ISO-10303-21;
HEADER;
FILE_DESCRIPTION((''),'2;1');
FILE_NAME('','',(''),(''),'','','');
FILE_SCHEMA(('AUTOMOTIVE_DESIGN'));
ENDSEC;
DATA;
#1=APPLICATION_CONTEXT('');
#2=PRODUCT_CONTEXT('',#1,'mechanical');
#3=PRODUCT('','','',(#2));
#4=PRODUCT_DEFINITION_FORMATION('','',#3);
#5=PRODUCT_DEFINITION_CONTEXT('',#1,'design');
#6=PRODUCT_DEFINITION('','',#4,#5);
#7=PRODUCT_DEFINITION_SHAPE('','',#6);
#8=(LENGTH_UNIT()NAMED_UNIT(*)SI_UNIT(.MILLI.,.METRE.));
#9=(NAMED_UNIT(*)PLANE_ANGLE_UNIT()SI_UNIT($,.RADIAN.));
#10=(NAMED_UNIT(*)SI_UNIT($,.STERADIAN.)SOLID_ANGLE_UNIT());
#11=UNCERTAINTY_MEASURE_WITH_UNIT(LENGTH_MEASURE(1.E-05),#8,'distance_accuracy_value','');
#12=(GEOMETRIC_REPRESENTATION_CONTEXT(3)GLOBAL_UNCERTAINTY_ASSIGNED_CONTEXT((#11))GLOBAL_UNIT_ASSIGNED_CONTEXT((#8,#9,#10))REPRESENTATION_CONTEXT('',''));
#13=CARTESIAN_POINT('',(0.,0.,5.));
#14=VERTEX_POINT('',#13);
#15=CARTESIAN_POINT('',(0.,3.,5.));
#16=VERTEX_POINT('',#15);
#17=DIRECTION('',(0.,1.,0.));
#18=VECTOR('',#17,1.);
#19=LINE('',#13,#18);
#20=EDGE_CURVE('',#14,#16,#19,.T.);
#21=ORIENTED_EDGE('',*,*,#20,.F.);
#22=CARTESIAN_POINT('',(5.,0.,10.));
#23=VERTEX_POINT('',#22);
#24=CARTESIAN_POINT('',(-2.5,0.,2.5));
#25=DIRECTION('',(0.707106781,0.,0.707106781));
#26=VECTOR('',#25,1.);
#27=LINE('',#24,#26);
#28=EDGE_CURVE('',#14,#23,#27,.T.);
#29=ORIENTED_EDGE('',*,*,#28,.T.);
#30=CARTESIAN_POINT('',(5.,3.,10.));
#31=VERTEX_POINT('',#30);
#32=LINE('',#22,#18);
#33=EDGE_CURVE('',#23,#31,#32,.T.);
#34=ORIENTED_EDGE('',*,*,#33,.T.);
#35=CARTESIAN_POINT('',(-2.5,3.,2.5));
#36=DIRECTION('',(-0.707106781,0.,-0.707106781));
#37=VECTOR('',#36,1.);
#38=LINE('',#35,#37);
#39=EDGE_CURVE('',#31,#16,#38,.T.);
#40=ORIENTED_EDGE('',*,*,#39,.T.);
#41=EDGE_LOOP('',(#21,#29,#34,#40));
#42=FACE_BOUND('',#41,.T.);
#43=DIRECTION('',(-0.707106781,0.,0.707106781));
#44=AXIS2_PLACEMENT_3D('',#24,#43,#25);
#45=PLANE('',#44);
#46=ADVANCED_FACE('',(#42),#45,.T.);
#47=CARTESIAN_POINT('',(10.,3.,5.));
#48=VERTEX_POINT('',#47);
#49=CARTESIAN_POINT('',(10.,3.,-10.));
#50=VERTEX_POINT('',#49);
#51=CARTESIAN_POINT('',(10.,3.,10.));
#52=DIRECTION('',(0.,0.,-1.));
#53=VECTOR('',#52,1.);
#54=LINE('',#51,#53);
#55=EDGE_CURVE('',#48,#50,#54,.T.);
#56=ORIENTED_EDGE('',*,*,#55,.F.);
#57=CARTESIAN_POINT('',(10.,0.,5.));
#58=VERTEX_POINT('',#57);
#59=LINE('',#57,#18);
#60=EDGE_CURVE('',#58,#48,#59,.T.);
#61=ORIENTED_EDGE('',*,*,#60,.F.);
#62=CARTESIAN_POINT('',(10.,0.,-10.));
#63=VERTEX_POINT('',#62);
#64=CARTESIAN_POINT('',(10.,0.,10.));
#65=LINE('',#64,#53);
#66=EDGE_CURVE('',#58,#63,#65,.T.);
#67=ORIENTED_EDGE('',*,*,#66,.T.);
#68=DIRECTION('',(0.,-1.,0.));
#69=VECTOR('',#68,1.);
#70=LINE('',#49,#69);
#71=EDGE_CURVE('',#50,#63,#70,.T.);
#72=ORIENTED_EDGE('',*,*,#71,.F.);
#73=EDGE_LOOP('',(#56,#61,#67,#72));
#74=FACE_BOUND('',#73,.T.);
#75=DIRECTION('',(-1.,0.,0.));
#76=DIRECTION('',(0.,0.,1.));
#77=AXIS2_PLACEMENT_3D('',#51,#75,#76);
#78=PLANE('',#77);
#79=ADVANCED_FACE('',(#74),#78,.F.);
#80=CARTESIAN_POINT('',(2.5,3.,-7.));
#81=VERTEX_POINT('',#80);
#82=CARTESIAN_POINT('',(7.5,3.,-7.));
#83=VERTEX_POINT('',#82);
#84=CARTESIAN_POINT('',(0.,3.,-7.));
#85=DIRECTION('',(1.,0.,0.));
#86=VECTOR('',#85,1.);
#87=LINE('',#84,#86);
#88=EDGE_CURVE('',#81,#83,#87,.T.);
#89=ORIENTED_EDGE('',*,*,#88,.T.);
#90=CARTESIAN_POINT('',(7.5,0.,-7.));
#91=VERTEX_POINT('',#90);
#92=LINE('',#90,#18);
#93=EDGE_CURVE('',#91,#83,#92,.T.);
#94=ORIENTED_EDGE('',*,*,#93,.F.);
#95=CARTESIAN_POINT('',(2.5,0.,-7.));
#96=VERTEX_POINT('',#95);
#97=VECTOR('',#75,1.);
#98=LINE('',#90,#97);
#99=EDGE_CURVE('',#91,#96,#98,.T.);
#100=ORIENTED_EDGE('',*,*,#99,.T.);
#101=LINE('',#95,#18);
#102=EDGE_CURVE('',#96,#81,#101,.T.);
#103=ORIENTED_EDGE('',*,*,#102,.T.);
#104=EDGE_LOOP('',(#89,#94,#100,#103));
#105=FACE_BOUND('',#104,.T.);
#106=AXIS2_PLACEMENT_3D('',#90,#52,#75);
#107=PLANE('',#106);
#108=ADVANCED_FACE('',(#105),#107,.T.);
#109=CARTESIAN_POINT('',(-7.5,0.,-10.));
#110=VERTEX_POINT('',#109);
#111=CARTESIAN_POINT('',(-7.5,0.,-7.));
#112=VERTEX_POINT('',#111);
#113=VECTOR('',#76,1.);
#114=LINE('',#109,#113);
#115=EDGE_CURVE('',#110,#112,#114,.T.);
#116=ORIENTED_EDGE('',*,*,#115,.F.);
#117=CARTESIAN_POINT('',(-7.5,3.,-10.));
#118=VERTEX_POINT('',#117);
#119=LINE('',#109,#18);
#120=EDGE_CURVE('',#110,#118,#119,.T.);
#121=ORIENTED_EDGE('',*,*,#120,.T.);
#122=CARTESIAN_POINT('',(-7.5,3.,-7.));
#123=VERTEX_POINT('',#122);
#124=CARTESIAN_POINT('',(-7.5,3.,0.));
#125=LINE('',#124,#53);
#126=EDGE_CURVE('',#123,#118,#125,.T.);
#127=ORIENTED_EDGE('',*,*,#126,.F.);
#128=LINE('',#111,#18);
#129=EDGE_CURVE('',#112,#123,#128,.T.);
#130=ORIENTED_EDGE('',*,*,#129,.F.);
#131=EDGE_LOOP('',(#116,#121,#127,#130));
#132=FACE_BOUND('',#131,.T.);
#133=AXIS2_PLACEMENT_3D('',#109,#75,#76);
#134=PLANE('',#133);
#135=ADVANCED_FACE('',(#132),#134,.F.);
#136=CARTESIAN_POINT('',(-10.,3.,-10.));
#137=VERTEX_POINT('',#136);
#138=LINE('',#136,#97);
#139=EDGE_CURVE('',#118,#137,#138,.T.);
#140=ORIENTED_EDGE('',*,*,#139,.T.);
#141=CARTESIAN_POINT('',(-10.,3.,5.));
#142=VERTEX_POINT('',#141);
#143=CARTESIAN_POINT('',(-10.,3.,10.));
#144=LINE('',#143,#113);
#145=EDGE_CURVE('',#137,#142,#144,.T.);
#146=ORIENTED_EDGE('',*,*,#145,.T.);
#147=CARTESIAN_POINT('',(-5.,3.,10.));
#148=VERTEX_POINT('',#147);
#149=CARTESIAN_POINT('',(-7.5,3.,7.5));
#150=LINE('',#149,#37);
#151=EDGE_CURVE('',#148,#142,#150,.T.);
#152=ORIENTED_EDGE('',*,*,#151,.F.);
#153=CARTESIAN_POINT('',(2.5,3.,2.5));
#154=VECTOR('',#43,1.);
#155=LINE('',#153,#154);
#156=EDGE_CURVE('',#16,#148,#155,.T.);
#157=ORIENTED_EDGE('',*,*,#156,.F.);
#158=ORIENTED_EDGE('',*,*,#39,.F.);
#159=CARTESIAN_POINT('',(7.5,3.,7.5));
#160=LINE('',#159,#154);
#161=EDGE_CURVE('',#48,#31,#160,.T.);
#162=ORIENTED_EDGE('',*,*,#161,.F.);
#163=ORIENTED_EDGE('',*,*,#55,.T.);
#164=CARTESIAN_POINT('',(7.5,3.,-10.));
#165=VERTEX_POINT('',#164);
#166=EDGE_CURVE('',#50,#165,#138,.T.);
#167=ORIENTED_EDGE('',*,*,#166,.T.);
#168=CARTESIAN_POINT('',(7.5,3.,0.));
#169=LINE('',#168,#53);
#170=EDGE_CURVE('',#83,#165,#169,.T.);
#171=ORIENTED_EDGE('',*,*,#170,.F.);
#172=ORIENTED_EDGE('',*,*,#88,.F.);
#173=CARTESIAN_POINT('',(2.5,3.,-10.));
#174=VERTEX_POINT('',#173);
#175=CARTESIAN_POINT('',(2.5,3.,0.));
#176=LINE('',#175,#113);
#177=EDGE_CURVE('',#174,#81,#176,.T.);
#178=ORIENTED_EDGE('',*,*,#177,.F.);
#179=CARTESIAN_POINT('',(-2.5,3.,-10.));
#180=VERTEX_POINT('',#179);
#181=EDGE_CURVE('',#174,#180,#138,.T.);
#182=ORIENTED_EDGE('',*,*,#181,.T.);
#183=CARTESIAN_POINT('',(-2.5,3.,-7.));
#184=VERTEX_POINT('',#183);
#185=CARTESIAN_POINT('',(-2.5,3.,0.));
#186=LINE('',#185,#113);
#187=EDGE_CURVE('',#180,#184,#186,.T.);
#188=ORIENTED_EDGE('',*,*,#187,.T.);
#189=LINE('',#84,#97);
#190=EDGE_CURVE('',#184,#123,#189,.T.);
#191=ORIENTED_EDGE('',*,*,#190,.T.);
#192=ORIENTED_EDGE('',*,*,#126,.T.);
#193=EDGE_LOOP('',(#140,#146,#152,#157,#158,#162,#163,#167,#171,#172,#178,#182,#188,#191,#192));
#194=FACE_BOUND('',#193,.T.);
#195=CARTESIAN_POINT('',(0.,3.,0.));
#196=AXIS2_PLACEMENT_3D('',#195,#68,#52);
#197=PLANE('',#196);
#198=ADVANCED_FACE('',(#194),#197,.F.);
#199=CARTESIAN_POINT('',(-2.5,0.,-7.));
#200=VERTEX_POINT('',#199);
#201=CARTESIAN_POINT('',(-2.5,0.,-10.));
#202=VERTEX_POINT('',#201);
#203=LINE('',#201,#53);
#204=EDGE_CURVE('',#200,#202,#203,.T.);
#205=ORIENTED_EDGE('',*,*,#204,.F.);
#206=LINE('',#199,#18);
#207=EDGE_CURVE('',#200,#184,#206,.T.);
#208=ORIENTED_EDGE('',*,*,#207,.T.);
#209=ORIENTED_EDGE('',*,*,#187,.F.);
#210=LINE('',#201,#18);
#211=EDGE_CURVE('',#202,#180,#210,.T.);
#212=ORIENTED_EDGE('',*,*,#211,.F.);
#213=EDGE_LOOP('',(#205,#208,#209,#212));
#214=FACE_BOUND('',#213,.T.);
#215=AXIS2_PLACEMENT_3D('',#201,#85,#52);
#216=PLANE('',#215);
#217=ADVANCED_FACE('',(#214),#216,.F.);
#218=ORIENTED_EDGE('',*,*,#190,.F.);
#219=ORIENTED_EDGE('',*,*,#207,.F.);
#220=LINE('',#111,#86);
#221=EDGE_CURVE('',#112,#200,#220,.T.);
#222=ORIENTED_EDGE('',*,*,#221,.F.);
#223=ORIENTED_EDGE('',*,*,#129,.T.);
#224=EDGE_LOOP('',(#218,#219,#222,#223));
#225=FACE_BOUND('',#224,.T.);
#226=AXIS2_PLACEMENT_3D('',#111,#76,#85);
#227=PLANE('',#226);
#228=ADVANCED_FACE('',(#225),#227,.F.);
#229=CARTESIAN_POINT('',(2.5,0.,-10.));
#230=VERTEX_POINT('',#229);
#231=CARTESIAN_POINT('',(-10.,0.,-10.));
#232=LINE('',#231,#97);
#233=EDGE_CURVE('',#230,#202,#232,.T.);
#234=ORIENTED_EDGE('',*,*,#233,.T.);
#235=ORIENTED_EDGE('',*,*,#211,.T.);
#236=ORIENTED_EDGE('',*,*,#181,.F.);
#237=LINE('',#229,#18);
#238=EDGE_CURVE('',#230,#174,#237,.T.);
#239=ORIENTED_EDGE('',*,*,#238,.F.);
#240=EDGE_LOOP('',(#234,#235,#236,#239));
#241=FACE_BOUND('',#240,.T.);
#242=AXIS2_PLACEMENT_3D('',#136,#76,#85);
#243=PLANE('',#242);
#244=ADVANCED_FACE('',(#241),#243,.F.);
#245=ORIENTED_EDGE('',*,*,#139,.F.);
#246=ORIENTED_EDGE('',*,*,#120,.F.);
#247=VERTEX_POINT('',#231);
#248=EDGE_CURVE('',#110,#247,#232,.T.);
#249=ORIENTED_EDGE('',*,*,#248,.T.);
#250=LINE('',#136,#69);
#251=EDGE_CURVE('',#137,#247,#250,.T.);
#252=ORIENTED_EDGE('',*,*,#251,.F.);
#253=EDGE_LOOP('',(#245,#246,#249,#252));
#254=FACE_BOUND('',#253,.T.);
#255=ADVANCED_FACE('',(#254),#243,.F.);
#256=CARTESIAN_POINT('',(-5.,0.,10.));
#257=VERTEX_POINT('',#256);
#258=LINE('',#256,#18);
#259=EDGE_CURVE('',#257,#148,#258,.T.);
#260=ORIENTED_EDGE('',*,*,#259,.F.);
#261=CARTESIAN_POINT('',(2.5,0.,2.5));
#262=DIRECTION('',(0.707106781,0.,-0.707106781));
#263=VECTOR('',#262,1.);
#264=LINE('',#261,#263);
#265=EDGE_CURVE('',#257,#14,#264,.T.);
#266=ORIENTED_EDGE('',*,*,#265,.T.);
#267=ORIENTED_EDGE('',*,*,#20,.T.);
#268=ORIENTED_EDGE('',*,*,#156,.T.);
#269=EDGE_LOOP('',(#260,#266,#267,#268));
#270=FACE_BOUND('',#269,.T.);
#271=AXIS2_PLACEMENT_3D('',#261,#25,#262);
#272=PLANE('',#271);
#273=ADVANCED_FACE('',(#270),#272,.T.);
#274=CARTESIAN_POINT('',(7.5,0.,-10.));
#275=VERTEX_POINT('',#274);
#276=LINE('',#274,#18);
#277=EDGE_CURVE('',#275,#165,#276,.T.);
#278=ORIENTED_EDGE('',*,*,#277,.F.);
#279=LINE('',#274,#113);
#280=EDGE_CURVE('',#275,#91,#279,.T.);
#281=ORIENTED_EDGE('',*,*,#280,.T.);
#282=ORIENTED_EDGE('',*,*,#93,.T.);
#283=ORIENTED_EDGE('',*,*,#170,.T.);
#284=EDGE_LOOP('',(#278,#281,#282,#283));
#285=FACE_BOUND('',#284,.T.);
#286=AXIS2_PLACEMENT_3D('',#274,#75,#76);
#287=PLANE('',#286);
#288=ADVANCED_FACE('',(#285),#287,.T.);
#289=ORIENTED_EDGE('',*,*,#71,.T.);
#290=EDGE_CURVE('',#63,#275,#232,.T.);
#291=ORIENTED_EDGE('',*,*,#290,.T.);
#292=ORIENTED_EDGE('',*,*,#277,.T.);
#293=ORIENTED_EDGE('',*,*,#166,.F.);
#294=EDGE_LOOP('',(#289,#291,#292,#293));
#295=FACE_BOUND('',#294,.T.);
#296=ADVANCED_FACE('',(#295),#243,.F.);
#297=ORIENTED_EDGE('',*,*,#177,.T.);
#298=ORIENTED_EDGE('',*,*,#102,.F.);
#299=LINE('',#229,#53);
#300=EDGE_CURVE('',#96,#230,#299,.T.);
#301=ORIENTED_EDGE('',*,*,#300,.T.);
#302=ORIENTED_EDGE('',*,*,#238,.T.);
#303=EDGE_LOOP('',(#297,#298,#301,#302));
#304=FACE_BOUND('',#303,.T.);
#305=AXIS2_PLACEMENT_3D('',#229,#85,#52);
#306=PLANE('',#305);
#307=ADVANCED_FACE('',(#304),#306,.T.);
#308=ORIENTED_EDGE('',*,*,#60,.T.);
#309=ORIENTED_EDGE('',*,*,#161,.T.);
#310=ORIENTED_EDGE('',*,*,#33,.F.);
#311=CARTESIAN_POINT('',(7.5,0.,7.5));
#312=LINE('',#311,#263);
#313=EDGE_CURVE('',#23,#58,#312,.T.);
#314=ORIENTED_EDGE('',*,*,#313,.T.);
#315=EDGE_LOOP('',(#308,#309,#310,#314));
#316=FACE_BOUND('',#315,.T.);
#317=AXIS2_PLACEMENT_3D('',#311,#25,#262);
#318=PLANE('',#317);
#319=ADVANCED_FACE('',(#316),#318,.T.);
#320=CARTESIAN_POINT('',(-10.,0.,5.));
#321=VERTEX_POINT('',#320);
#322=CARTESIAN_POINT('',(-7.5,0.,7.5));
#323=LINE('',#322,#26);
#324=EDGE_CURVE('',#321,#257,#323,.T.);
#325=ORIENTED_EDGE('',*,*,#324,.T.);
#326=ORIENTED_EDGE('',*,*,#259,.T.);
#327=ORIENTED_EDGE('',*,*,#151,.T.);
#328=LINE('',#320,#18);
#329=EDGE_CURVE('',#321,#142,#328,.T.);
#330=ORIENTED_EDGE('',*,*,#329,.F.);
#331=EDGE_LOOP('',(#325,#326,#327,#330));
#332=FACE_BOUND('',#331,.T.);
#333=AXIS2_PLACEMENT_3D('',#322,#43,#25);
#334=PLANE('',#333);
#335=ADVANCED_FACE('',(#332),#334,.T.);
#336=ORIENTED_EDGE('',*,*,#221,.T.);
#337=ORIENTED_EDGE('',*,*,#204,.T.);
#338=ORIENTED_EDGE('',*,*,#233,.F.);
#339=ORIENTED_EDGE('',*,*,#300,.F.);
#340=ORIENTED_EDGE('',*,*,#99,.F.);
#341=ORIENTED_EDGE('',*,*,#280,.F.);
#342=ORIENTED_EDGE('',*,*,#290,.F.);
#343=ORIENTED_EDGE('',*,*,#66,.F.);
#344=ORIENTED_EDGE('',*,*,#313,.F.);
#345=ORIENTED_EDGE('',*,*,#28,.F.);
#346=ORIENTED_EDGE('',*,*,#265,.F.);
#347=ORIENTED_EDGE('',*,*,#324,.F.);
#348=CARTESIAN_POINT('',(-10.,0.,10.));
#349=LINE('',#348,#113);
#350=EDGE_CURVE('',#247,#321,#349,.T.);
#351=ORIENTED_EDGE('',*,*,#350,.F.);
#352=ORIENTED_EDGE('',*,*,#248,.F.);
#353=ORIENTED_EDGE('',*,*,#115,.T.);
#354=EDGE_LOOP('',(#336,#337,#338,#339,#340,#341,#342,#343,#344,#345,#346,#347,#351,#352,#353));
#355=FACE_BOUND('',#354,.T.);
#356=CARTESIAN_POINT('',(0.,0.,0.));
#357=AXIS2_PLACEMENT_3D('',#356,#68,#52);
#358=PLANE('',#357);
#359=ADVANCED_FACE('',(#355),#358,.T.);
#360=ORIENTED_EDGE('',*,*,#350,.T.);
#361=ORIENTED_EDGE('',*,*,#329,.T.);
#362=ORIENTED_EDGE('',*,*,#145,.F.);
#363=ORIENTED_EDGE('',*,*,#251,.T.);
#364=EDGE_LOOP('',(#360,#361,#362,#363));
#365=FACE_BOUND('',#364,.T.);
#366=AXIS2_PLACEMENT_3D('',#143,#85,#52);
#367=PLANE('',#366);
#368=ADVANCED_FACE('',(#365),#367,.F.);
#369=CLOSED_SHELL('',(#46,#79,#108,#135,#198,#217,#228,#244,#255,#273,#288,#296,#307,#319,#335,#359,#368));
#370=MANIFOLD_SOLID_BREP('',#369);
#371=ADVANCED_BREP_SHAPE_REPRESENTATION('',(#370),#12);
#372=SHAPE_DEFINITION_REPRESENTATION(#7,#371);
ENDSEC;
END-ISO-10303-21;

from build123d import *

# Parameters (mm, degrees)
SKETCH1_W               = 20
SKETCH1_H               = 20
BOSS_EXTRUDE1_DEPTH     = 3
CUT_EXTRUDE1_DEPTH      = 1
CUT_EXTRUDE1_DEPTH_BACK = 4
CUT_EXTRUDE2_START      = -4
SKETCH3_W               = 5
SKETCH3_H               = 3
CUT_EXTRUDE2_DEPTH      = 5


with BuildPart() as part:
    # Sketch1 → Boss-Extrude1 (new body)
    with BuildSketch(Plane(origin=(0, 0, 0), x_dir=(1, 0, 0), z_dir=(0, 1, 0))):
        Rectangle(SKETCH1_W, SKETCH1_H)
    extrude(amount=BOSS_EXTRUDE1_DEPTH)

    # Sketch2 → Cut-Extrude1 (cut, two sides)
    with BuildSketch(Plane(origin=(0, 3, 0), x_dir=(1, 0, 0), z_dir=(0, 1, 0))) as cut_extrude1_sk:
        Polygon((-5, -10), (-10, -5), (-10, -10), align=None)
        Polygon((0, -5), (-5, -10), (5, -10), align=None)
        Polygon((10, -5), (5, -10), (10, -10), align=None)
    extrude(amount=CUT_EXTRUDE1_DEPTH, mode=Mode.SUBTRACT)
    extrude(cut_extrude1_sk.sketch, amount=-CUT_EXTRUDE1_DEPTH_BACK, mode=Mode.SUBTRACT)

    # Sketch3 → Cut-Extrude2 (cut)
    with BuildSketch(Plane(origin=(0, 3, 0), x_dir=(1, 0, 0), z_dir=(0, 1, 0)).offset(CUT_EXTRUDE2_START)):
        with Locations((-5, 8.5)):
            Rectangle(SKETCH3_W, SKETCH3_H)
    cut_extrude2 = extrude(amount=CUT_EXTRUDE2_DEPTH, mode=Mode.SUBTRACT)

    # Mirror1: Cut-Extrude2 across plane
    add(cut_extrude2.mirror(Plane(origin=(0, 0, 0), x_dir=(0, 0, 1), z_dir=(1, 0, 0))), mode=Mode.SUBTRACT)


solid = part.part
